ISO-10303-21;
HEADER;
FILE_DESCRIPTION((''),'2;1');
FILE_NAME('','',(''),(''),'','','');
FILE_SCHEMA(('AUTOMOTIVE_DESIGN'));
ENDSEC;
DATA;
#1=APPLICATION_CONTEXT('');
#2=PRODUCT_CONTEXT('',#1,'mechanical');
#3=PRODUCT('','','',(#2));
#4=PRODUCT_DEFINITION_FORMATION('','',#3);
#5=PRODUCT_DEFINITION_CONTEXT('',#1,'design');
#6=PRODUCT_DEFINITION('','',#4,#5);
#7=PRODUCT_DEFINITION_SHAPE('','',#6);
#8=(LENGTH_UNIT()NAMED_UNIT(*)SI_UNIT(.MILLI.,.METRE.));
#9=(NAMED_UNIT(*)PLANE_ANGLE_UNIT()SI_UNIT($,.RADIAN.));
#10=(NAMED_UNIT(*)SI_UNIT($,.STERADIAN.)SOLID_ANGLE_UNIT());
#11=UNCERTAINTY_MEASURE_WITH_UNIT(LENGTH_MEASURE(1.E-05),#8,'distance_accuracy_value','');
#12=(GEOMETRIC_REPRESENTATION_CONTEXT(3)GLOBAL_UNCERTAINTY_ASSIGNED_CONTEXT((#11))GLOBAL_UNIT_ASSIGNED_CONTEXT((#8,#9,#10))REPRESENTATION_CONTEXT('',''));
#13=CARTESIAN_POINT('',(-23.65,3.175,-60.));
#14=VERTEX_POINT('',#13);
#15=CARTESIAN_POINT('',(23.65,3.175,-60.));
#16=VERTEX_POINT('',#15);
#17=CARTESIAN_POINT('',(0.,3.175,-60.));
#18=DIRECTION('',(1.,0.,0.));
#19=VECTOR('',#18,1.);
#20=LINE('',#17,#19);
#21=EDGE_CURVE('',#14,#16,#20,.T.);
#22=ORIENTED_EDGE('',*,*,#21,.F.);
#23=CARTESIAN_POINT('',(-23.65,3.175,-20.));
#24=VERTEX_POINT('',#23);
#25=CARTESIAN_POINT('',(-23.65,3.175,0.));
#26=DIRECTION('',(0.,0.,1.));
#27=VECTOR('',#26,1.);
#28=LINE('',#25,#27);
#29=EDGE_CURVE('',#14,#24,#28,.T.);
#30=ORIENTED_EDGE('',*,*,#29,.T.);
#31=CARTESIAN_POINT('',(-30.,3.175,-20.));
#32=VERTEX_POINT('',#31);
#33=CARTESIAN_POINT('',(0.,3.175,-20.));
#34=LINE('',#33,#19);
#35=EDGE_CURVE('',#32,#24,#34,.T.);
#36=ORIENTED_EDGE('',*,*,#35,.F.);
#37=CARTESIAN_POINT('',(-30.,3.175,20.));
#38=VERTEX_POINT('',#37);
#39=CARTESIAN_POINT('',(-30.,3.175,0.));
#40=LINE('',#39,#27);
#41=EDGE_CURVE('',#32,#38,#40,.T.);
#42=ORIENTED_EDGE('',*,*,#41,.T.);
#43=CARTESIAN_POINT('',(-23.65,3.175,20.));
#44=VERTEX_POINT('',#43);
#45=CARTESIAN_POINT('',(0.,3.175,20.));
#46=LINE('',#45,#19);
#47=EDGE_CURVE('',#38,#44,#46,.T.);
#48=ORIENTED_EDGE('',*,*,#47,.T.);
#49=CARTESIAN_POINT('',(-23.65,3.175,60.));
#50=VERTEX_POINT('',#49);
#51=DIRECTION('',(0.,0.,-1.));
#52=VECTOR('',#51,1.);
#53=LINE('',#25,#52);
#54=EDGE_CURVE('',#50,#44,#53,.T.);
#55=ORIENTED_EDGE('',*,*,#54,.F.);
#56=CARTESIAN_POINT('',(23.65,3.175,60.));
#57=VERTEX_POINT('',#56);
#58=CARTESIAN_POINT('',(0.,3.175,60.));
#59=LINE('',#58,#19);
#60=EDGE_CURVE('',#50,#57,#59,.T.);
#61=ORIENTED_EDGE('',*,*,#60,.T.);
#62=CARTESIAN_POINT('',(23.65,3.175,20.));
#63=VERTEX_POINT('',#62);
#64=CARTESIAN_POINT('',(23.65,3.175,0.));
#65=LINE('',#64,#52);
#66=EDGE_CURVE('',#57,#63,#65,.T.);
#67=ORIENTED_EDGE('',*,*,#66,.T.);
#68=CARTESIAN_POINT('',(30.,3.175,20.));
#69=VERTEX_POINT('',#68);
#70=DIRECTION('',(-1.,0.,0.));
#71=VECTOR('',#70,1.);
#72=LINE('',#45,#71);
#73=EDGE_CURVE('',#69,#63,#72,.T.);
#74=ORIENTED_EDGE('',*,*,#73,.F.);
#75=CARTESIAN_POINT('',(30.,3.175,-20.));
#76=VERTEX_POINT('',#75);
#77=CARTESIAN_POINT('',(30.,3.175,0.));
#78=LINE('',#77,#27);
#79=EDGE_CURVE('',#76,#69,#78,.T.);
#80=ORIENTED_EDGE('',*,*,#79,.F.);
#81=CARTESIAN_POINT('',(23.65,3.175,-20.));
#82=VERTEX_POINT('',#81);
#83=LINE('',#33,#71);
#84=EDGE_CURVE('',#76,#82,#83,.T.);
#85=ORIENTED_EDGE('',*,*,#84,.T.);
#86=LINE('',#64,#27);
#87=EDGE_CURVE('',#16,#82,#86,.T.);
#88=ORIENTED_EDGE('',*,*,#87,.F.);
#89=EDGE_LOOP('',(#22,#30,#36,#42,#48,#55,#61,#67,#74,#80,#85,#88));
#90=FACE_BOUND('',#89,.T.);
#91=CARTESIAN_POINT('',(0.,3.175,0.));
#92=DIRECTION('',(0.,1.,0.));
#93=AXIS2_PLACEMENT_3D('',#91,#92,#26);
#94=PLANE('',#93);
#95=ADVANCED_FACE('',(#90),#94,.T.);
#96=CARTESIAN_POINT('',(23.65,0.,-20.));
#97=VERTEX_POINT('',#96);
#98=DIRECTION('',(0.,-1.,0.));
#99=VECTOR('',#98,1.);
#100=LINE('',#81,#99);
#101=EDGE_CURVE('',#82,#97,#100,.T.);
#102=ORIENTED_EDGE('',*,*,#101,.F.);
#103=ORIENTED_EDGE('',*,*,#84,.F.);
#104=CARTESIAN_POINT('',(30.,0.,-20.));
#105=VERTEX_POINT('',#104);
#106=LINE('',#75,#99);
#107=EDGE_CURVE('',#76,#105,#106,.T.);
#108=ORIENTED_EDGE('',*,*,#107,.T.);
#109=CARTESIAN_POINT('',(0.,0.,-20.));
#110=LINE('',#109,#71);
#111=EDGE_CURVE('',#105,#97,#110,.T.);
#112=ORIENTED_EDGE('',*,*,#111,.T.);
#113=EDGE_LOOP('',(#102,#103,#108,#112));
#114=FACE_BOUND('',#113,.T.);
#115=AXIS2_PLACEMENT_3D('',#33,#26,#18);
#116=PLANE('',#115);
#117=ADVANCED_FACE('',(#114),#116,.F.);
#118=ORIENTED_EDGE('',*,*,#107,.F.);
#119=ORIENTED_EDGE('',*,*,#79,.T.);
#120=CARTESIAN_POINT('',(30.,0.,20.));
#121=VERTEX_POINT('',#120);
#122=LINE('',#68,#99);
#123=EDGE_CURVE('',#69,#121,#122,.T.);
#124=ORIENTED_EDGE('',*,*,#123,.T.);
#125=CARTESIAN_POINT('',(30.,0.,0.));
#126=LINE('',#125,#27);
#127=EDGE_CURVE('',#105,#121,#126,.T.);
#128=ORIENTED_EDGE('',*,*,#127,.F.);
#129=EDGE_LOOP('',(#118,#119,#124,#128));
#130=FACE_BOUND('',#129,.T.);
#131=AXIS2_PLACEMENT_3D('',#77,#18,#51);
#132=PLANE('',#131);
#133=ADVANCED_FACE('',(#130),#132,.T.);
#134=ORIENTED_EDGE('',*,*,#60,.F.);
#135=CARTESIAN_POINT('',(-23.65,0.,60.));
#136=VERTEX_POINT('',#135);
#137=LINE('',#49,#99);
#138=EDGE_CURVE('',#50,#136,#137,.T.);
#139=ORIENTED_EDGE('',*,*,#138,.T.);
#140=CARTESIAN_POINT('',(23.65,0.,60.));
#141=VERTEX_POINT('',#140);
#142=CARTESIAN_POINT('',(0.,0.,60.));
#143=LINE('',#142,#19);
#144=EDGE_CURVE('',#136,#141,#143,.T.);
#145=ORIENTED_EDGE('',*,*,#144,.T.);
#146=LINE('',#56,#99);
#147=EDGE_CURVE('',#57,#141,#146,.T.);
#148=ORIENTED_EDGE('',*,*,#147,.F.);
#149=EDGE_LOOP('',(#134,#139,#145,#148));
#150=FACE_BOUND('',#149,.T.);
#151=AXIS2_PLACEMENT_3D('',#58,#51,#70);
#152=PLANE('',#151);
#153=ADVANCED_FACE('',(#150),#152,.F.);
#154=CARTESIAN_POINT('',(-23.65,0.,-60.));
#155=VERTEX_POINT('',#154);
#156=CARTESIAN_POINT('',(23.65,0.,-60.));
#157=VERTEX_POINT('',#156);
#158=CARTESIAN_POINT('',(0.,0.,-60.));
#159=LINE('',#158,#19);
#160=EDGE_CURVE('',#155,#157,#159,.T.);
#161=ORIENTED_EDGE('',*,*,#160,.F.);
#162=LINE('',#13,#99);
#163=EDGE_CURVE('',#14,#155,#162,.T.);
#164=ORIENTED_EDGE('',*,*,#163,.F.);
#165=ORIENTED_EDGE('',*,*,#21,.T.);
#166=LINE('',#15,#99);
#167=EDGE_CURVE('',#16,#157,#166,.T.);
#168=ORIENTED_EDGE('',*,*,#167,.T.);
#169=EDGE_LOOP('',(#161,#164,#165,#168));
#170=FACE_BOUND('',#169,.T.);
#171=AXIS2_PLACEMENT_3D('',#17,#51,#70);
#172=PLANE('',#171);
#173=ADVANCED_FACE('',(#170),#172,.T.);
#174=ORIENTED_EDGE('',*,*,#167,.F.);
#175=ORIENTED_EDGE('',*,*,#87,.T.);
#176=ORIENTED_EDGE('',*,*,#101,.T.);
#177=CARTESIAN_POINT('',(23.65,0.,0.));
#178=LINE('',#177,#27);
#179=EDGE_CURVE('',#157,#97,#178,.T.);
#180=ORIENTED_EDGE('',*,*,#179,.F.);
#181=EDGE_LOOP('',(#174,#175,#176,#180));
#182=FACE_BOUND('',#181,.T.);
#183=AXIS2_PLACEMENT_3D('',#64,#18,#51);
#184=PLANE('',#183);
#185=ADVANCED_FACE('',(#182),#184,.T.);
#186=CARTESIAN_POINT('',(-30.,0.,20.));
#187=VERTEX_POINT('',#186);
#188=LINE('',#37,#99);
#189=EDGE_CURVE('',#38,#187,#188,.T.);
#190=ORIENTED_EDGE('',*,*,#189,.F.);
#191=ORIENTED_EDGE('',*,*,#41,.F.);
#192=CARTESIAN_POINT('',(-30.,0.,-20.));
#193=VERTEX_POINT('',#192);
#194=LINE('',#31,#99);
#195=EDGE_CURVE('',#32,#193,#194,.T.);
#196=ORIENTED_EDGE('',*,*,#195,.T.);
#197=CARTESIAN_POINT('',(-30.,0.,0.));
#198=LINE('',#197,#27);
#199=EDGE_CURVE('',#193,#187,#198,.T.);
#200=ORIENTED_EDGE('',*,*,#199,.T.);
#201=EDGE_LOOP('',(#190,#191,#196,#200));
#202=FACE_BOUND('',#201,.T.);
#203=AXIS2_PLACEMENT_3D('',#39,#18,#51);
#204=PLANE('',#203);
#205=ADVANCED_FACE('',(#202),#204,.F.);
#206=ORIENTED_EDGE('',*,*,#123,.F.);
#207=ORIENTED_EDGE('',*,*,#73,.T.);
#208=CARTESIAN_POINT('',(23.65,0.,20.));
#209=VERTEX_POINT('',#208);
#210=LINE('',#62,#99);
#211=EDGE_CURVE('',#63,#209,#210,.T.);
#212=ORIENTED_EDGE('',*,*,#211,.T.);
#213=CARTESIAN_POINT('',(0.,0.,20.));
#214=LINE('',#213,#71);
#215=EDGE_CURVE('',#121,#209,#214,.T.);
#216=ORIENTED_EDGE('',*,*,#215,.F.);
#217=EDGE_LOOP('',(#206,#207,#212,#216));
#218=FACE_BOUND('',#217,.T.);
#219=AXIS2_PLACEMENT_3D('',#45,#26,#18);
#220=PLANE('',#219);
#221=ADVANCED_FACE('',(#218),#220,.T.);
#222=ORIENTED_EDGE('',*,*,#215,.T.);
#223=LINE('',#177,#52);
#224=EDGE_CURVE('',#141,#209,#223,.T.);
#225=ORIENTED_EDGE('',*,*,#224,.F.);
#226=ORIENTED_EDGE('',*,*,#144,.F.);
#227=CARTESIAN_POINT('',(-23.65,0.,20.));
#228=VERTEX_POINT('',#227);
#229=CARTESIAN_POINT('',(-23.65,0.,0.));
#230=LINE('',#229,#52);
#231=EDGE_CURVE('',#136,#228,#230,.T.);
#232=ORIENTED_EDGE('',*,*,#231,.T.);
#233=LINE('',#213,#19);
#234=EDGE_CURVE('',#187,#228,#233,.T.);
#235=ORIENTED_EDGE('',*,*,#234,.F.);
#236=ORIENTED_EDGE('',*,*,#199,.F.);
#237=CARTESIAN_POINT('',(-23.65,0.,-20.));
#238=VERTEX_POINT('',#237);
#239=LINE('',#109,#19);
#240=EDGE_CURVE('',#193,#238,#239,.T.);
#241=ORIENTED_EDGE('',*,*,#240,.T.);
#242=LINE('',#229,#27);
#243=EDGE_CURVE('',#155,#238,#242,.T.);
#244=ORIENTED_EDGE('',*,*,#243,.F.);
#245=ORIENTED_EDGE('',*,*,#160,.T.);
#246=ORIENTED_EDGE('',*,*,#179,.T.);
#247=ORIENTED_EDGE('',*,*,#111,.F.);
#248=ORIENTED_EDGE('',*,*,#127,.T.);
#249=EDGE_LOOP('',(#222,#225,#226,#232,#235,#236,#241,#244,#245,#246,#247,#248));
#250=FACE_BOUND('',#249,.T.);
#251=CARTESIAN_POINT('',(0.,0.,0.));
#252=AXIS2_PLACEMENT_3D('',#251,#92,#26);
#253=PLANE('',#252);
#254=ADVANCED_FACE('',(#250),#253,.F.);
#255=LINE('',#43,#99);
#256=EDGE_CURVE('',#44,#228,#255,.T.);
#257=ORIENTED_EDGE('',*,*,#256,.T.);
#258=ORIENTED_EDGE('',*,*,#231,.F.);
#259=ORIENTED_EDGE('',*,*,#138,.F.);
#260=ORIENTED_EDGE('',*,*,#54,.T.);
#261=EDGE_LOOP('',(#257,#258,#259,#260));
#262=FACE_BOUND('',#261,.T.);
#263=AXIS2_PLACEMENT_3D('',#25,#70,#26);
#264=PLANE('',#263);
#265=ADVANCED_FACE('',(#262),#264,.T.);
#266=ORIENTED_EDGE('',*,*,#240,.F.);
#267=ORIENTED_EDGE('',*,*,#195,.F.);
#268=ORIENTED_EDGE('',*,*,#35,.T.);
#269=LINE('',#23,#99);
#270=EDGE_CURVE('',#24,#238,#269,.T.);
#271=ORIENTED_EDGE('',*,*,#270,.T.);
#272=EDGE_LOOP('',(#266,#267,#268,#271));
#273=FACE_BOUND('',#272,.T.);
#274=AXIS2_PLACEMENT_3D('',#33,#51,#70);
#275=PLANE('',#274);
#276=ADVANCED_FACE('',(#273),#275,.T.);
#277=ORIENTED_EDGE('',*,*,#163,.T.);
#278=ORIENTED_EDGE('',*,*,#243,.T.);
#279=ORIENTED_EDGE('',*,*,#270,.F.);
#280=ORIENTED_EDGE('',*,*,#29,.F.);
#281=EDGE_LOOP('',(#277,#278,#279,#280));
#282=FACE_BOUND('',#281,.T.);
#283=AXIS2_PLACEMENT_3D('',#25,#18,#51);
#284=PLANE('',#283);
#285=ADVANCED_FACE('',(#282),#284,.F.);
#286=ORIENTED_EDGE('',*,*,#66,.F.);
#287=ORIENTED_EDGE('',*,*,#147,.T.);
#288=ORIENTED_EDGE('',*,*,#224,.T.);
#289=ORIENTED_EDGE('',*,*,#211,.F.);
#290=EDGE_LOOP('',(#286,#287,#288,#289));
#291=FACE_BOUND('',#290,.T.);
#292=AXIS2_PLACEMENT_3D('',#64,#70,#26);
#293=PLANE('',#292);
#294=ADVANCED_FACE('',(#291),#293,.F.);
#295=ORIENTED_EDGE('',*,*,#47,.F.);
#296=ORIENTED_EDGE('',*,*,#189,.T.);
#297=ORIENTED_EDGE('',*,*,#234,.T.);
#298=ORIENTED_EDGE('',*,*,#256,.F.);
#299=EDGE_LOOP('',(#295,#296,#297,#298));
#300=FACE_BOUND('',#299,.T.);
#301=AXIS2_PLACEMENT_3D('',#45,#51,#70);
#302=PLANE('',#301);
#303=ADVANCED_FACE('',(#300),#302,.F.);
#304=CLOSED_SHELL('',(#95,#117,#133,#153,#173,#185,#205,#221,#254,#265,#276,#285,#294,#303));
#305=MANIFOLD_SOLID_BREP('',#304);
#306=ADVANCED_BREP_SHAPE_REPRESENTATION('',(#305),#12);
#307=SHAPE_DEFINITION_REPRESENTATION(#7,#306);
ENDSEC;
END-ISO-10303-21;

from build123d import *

# Parameters (mm, degrees)
BOSS_EXTRUDE1_DEPTH = 3.175


with BuildPart() as part:
    # Sketch1 → Boss-Extrude1 (new body)
    with BuildSketch(Plane(origin=(0, 0, 0), x_dir=(1, 0, 0), z_dir=(0, 1, 0))):
        Polygon((23.65, 60), (-23.65, 60), (-23.65, 20), (-30, 20), (-30, -20), (-23.65, -20), (-23.65, -60), (23.65, -60), (23.65, -20), (30, -20), (30, 20), (23.65, 20), align=None)
    extrude(amount=BOSS_EXTRUDE1_DEPTH)


solid = part.part
